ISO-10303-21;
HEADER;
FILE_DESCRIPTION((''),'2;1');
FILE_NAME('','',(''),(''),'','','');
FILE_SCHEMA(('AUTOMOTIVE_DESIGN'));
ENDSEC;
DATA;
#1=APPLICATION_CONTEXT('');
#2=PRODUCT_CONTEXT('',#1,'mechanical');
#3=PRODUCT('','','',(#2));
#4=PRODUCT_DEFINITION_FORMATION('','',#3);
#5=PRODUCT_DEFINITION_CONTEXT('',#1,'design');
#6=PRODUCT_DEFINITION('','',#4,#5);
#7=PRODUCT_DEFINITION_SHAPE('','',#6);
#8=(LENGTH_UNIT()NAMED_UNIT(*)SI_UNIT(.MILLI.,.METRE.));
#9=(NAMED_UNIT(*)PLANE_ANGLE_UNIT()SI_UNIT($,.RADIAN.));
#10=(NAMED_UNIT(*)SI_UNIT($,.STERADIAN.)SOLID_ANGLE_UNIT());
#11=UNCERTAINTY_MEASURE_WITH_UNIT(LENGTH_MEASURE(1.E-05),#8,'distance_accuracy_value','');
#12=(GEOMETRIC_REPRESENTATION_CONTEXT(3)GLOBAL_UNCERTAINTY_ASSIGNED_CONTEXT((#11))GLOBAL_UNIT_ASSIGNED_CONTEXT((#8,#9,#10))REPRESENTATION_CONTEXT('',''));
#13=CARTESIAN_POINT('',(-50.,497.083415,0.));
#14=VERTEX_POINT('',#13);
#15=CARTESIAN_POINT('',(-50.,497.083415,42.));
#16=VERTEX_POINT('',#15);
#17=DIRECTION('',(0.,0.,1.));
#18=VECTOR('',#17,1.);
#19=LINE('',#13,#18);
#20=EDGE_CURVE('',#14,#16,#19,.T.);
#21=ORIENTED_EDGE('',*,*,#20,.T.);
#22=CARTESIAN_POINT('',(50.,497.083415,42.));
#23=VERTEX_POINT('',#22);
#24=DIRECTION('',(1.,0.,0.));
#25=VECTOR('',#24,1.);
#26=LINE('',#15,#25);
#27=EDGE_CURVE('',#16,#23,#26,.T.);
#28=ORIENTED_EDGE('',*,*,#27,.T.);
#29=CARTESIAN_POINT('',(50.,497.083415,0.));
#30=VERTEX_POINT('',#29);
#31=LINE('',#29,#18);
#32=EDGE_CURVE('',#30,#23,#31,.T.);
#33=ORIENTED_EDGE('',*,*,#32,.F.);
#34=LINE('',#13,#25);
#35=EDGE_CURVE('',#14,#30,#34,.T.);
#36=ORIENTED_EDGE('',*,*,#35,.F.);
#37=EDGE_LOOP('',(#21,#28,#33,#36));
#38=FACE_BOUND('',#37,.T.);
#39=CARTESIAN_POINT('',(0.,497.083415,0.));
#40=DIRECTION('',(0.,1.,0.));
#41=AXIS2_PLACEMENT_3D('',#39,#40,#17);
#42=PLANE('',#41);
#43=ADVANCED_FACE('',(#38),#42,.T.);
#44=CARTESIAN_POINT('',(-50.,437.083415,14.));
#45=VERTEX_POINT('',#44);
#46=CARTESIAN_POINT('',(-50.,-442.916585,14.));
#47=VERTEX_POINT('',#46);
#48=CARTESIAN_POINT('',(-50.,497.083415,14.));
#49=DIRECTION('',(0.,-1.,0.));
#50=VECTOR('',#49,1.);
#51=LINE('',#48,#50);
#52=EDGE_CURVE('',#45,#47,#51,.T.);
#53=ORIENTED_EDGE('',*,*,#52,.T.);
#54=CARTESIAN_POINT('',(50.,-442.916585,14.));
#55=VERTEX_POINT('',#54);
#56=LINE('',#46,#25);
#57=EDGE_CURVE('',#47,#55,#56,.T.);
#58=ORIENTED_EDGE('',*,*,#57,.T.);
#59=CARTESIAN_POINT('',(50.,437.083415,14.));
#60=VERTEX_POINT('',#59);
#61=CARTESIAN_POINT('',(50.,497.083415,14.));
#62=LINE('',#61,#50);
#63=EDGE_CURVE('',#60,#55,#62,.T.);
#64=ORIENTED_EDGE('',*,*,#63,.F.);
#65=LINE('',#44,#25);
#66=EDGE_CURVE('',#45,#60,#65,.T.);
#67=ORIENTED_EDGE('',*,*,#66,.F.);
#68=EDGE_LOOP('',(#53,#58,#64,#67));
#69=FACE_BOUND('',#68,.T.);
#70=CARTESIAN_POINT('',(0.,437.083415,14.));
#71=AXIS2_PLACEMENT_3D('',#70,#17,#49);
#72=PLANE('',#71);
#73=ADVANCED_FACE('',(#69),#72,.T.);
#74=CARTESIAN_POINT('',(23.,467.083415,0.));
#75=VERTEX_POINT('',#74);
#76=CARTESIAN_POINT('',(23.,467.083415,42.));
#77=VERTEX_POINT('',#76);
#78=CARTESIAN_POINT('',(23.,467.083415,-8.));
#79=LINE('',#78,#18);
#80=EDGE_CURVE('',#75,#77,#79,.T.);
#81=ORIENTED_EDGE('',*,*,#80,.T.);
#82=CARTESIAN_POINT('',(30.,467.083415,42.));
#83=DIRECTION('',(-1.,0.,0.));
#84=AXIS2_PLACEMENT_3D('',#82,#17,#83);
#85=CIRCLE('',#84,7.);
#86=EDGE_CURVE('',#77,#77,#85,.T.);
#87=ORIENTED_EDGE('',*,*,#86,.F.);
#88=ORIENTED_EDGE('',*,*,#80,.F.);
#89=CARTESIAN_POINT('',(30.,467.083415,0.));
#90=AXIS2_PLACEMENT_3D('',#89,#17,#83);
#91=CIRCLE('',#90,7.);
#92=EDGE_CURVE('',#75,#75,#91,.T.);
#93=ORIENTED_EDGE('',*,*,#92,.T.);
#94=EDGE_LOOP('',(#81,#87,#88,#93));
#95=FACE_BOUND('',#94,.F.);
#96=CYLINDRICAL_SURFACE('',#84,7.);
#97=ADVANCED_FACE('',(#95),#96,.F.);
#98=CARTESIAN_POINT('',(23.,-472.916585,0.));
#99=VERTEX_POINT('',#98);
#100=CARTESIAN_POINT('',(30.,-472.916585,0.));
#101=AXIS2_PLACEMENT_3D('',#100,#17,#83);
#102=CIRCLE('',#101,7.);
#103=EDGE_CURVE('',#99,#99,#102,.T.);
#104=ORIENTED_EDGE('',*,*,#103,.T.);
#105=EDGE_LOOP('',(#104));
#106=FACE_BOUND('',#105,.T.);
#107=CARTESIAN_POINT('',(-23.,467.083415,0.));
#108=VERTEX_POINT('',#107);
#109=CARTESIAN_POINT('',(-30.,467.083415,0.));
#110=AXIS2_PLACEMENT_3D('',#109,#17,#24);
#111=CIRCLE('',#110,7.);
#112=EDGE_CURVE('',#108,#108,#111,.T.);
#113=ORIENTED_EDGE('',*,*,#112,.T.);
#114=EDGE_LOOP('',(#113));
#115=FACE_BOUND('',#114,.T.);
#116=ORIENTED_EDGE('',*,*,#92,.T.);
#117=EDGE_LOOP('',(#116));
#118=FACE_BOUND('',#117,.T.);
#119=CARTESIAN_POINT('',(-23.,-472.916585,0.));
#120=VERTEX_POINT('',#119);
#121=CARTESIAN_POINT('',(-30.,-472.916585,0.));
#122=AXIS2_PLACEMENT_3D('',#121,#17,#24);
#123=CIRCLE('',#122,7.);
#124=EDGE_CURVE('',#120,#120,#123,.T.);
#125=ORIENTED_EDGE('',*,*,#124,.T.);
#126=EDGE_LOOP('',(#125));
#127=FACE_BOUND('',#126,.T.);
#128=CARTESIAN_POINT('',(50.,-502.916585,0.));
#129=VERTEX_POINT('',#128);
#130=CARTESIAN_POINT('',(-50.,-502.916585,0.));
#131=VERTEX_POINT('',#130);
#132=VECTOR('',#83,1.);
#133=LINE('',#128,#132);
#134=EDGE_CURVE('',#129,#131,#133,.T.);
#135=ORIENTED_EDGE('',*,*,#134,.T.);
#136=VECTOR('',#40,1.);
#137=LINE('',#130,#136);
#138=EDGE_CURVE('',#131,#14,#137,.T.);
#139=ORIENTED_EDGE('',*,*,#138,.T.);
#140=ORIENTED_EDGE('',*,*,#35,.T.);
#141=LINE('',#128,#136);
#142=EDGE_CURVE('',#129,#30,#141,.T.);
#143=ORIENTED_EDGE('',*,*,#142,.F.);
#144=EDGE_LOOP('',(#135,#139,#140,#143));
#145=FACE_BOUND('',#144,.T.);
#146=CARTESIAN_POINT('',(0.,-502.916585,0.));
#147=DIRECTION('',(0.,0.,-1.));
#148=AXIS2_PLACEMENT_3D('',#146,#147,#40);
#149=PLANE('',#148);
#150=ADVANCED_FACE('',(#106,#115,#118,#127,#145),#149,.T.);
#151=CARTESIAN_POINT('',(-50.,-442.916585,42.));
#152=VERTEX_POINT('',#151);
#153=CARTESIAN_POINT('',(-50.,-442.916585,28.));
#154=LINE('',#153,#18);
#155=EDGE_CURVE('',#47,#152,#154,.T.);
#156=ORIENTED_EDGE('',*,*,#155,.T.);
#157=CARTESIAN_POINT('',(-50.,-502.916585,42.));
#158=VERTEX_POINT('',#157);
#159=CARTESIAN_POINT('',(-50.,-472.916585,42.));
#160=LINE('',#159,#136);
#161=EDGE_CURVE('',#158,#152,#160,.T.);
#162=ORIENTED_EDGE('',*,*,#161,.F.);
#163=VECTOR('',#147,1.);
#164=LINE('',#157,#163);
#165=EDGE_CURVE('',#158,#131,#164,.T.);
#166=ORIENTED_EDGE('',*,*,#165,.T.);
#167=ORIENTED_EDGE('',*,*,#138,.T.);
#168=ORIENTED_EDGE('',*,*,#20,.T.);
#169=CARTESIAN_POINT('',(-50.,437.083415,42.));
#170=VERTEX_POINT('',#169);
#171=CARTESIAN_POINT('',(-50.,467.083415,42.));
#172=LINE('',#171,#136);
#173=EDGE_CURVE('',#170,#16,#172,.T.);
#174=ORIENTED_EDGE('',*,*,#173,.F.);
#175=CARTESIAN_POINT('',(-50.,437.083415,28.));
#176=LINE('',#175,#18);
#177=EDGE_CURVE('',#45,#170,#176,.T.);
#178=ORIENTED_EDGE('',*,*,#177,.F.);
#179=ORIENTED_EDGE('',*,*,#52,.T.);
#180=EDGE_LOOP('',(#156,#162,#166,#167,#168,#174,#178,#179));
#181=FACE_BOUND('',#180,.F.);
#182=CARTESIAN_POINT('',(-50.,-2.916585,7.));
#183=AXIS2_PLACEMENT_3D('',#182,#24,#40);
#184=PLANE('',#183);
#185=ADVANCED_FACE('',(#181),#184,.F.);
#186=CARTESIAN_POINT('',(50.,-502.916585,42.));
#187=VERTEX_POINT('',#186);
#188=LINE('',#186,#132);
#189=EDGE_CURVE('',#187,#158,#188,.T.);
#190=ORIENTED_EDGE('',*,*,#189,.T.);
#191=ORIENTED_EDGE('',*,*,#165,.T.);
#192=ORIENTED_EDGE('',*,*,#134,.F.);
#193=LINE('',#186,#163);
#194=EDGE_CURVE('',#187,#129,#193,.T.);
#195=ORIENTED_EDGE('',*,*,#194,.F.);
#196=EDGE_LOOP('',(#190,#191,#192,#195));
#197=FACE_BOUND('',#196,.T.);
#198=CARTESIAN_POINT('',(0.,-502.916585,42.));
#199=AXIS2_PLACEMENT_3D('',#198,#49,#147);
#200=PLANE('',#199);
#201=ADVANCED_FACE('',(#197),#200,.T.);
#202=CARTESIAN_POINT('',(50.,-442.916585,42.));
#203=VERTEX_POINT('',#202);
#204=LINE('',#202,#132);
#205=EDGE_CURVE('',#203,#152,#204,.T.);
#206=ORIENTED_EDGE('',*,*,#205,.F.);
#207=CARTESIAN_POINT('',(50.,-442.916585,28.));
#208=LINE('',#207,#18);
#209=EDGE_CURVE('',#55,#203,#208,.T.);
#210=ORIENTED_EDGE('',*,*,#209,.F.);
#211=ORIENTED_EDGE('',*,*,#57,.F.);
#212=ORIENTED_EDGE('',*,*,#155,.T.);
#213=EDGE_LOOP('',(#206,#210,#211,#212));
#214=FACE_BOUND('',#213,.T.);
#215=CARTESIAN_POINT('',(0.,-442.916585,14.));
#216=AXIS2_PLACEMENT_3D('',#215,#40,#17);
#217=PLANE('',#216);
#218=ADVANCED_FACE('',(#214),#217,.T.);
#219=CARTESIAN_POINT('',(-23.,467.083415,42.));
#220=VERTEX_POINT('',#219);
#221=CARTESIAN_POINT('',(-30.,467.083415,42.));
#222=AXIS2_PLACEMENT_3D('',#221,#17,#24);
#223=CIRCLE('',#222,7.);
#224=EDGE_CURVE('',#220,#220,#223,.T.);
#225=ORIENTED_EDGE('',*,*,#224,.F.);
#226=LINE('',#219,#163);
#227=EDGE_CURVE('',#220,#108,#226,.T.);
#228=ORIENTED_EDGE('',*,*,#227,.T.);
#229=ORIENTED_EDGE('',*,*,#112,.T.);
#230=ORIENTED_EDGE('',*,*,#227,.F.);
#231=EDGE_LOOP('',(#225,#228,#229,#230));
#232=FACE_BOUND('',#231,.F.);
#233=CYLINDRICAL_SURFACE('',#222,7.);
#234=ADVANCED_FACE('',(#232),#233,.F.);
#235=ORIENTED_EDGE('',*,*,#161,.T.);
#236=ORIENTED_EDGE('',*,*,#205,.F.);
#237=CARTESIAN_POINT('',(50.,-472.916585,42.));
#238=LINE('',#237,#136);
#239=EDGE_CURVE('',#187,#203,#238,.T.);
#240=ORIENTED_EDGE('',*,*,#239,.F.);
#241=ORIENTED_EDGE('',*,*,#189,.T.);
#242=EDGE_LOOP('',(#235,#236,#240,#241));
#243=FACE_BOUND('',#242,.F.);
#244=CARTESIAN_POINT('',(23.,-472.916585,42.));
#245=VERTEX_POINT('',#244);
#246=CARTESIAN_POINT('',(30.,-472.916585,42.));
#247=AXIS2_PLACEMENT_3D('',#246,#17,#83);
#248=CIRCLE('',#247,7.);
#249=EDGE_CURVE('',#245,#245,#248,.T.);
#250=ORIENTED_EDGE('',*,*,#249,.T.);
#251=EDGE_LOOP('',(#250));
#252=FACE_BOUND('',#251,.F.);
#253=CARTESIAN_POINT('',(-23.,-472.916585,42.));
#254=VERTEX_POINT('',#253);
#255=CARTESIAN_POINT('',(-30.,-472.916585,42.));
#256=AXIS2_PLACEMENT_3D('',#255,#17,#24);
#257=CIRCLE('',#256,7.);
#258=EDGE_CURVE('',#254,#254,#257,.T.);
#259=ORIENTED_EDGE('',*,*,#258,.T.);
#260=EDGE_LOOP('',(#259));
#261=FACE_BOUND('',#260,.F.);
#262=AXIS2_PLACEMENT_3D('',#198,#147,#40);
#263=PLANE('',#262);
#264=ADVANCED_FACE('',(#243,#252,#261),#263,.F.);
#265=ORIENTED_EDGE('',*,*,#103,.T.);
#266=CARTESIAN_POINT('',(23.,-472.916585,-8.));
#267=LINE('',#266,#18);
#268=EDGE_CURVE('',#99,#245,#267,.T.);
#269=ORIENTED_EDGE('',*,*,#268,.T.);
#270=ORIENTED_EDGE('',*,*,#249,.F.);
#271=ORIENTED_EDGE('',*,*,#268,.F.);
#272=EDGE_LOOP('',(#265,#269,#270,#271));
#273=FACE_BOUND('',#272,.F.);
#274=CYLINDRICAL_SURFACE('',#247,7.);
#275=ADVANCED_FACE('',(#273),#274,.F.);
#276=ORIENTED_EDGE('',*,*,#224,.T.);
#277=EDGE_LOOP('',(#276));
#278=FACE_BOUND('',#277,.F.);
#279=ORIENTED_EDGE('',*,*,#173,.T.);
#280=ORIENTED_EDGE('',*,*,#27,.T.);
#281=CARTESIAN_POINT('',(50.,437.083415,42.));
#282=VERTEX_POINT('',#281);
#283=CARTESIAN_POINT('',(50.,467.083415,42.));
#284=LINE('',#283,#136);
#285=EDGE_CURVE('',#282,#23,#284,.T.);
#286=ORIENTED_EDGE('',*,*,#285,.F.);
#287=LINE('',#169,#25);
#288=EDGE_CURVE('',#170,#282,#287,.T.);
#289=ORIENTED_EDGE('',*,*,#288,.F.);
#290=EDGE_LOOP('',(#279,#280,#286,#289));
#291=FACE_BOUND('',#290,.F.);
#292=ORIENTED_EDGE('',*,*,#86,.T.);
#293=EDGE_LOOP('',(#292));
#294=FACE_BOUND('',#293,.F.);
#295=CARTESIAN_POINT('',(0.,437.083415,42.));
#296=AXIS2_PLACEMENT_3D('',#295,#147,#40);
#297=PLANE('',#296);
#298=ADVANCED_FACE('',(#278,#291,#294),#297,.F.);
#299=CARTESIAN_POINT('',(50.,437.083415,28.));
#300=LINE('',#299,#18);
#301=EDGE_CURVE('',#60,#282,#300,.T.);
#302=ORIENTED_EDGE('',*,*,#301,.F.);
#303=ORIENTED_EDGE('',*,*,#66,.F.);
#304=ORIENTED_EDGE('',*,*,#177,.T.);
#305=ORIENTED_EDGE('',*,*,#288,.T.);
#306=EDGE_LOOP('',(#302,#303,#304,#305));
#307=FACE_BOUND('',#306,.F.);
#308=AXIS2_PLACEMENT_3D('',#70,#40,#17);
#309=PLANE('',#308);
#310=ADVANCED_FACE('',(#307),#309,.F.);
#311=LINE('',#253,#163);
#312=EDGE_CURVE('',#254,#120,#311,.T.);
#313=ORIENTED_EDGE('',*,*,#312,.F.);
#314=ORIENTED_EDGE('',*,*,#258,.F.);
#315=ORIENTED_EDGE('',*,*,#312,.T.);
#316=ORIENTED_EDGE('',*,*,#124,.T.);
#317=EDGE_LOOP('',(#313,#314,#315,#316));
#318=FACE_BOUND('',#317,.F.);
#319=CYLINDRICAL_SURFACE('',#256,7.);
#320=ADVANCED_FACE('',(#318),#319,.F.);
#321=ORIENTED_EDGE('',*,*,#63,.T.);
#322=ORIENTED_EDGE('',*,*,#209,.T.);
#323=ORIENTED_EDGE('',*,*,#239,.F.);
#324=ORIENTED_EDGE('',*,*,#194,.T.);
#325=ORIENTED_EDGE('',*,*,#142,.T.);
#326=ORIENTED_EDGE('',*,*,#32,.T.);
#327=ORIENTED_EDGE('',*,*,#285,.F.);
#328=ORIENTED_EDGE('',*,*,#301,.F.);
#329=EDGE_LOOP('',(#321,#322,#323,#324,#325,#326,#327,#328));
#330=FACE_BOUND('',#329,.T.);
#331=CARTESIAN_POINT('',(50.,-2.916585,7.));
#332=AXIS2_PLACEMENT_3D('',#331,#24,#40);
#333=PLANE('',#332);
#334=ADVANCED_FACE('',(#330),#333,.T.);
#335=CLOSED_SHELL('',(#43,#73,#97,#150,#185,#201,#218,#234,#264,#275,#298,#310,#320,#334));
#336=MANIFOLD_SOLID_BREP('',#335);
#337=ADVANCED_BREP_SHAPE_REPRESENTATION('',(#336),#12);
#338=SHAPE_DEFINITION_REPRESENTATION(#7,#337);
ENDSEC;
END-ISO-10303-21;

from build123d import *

# Parameters (mm, degrees)
F0_W     = 60
F0_H     = 28
F1_DEPTH = 50
F2_R     = 7
F3_DEPTH = 50
F4_R     = 7
F5_DEPTH = 50


with BuildPart() as f1:
    # F0 (on Right) → F1 (new body, symmetric)
    with BuildSketch(Plane.YZ):
        Polygon((-502.916585, 14), (-502.916585, 0), (497.083415, 0), (497.083415, 14), (437.083415, 14), (-442.916585, 14), align=None)
        with Locations((-472.916585, 28)):
            Rectangle(F0_W, F0_H)
        with Locations((467.083415, 28)):
            Rectangle(F0_W, F0_H)
    extrude(amount=F1_DEPTH, both=True)

    # F2 (on face) → F3 (cut, symmetric)
    with BuildSketch(Plane.XY.offset(42)):
        with Locations((-30, -472.916585)):
            Circle(F2_R)
        with BuildLine():
            ThreePointArc((37, -472.916585), (30, -465.916585), (23, -472.916585))
            ThreePointArc((23, -472.916585), (30, -479.916585), (37, -472.916585))
        make_face()
    extrude(amount=F3_DEPTH, both=True, mode=Mode.SUBTRACT)

    # F4 (on face) → F5 (cut, symmetric)
    with BuildSketch(Plane.XY.offset(42)):
        with Locations((-30, 467.083415)):
            Circle(F4_R)
        with BuildLine():
            ThreePointArc((37, 467.083415), (30, 474.083415), (23, 467.083415))
            ThreePointArc((23, 467.083415), (30, 460.083415), (37, 467.083415))
        make_face()
    extrude(amount=F5_DEPTH, both=True, mode=Mode.SUBTRACT)


solid = f1.part
